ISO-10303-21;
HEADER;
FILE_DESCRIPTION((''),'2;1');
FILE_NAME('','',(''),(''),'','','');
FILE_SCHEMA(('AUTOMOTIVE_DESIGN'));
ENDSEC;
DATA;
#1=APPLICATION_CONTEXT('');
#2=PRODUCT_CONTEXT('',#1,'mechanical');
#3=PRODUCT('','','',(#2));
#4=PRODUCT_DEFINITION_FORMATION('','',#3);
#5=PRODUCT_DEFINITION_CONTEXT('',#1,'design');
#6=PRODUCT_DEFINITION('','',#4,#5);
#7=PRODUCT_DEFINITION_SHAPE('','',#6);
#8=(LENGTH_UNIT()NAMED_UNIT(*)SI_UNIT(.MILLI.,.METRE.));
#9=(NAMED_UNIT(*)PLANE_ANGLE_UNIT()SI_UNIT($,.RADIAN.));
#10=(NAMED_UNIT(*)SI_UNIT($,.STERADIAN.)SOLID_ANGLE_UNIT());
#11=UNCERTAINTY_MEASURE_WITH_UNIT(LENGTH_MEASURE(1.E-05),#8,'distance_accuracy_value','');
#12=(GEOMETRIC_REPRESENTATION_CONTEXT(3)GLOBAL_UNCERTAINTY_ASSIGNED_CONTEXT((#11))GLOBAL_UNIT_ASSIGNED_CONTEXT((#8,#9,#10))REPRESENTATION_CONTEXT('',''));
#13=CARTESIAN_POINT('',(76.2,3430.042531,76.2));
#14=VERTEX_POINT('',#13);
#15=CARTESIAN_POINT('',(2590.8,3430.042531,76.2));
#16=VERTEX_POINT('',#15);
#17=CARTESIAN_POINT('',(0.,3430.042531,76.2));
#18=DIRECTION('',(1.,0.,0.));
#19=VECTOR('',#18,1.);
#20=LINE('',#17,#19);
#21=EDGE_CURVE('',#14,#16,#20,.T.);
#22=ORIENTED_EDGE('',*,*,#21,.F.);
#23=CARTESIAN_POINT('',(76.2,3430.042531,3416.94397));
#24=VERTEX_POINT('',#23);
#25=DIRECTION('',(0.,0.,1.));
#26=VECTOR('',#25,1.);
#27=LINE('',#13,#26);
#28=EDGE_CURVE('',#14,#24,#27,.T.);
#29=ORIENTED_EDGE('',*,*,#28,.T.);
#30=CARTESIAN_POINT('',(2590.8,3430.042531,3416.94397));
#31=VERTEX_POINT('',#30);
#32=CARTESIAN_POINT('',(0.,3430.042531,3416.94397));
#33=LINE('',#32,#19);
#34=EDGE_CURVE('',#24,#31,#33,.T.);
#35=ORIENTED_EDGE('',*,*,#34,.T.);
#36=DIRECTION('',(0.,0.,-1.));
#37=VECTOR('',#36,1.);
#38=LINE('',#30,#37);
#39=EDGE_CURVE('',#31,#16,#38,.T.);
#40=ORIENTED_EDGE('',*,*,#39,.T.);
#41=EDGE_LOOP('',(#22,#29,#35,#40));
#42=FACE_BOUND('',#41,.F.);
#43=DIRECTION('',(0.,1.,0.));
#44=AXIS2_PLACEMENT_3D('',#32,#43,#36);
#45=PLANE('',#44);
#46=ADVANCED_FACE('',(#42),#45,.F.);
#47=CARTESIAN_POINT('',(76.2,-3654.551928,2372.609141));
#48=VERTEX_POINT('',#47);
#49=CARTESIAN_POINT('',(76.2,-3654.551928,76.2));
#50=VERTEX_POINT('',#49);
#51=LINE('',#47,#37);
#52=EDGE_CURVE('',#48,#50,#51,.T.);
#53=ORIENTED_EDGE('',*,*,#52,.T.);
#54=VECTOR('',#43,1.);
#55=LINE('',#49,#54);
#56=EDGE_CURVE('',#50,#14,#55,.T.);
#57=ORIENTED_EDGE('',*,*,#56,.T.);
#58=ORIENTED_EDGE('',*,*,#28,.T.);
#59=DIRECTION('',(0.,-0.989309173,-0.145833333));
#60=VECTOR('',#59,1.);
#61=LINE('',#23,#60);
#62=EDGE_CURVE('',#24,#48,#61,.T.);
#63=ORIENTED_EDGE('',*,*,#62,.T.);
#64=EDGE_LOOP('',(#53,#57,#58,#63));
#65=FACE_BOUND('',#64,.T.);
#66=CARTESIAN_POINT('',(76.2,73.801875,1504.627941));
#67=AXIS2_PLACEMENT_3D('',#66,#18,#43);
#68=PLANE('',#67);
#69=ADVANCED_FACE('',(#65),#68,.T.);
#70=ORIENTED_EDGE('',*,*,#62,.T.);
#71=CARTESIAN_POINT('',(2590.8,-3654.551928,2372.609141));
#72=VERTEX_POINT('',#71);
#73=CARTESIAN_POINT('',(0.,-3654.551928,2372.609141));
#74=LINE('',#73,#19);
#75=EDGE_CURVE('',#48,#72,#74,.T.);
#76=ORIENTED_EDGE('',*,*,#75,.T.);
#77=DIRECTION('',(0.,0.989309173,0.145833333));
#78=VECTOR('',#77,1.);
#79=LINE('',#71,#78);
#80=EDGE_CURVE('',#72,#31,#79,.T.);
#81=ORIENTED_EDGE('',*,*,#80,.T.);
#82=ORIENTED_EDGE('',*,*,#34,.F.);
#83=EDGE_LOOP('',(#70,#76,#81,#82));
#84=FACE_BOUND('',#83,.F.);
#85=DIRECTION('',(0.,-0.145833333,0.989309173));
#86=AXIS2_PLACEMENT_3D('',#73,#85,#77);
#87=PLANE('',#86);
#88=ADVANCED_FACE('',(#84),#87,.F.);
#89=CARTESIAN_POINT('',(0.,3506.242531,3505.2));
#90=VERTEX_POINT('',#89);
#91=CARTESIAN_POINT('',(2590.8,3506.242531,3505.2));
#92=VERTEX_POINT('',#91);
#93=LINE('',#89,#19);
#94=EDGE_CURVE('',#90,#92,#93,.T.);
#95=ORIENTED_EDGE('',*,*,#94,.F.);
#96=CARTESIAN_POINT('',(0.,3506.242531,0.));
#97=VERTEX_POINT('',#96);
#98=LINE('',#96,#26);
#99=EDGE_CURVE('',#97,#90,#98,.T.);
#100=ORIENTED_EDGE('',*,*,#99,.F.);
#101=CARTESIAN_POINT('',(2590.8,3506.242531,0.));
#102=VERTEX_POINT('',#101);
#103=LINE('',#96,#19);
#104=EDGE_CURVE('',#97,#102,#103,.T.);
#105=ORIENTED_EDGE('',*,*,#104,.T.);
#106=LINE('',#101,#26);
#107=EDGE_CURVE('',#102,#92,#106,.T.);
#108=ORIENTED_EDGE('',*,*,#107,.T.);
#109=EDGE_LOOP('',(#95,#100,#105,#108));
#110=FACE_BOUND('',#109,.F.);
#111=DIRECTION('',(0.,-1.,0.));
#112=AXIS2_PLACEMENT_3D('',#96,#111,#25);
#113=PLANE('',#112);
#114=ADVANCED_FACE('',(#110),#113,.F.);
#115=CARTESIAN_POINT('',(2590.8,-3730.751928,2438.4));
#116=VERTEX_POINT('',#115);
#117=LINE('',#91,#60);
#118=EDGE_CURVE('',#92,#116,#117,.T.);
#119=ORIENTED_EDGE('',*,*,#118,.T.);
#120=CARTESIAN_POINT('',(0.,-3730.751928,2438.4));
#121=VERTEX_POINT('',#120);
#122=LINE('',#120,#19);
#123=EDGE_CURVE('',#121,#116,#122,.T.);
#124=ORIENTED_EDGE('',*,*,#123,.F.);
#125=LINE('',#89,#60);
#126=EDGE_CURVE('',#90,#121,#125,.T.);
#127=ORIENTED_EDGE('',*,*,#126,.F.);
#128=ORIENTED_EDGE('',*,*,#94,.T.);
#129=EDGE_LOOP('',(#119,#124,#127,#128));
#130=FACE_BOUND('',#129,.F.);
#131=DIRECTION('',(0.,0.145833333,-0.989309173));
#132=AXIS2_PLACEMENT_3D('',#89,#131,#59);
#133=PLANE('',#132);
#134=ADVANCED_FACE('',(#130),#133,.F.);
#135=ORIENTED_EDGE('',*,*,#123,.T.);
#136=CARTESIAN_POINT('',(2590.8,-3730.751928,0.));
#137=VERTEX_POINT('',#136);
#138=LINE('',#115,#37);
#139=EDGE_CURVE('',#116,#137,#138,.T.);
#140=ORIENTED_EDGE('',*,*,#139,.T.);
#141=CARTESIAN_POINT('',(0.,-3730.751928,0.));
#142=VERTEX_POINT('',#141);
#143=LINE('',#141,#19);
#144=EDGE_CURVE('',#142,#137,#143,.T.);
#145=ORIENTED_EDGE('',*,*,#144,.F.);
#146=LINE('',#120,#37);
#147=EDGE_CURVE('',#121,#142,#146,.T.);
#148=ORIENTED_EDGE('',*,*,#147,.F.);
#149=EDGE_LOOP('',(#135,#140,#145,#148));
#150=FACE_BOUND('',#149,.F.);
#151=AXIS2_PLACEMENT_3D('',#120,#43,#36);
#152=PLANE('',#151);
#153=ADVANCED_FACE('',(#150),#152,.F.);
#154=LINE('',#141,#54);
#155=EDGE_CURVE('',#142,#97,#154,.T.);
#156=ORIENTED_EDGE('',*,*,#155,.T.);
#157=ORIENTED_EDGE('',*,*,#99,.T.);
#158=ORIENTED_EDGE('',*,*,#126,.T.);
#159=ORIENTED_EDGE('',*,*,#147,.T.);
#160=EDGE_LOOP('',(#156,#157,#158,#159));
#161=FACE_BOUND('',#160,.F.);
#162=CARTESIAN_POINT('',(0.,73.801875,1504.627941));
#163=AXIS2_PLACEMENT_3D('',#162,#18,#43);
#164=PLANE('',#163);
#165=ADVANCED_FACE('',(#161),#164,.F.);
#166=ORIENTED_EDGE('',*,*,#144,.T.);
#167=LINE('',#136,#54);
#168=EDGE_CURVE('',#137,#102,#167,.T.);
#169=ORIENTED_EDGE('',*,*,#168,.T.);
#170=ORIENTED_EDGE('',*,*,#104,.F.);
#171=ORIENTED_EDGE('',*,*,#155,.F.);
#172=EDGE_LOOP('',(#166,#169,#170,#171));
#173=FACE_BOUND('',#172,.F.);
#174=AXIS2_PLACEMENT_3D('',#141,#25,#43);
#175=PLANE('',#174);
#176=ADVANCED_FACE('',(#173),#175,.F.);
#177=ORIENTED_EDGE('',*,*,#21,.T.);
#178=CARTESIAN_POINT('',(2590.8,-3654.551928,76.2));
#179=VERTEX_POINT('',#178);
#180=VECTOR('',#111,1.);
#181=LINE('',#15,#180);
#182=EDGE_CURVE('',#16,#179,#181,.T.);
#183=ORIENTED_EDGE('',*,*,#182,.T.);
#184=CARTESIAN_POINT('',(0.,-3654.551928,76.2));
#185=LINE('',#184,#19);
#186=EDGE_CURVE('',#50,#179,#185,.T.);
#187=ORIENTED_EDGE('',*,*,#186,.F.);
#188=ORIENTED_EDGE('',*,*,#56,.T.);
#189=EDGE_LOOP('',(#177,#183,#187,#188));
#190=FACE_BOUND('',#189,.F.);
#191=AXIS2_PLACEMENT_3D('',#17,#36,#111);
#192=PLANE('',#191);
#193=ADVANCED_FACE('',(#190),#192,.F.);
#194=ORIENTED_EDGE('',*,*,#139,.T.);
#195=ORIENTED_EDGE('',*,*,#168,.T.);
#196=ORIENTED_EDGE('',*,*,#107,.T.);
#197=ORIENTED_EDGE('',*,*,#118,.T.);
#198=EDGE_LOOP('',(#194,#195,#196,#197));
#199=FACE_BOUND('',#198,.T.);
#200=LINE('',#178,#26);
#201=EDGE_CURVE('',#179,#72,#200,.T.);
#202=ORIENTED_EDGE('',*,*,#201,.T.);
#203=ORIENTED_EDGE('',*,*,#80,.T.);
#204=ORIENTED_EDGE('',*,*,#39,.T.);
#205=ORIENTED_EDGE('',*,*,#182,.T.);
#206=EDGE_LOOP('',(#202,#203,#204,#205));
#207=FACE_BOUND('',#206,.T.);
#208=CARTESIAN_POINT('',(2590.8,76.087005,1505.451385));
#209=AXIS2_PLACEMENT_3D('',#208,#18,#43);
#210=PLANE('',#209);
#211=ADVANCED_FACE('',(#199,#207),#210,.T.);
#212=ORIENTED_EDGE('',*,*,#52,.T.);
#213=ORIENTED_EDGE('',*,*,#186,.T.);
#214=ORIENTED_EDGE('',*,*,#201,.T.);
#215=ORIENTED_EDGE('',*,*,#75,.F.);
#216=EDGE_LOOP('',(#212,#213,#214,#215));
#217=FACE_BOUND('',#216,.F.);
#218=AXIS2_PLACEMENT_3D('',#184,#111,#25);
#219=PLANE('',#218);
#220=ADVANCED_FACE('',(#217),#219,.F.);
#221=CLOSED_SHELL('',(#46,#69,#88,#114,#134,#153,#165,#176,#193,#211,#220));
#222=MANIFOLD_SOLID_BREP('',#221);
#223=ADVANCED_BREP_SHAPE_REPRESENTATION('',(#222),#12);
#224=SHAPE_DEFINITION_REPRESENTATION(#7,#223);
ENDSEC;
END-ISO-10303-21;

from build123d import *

# Parameters (mm, degrees)
F1_DEPTH = 2590.8
F3_DEPTH = 76.2


with BuildPart() as f1:
    # F0 (on Right) → F1 (new body)
    with BuildSketch(Plane.YZ):
        Polygon((3506.242531, 0), (3506.242531, 3505.2), (-3730.751928, 2438.4), (-3730.751928, 0), align=None)
        Polygon((-3654.551928, 2372.609141), (3430.042531, 3416.94397), (3430.042531, 76.2), (-3654.551928, 76.2), align=None, mode=Mode.SUBTRACT)
    extrude(amount=F1_DEPTH)

    # F2 (on Right) → F3 (join)
    with BuildSketch(Plane.YZ):
        Polygon((3430.042531, 76.2), (3430.042531, 3416.94397), (-3654.551928, 2372.609141), (-3654.551928, 76.2), align=None)
    extrude(amount=F3_DEPTH)


solid = f1.part
